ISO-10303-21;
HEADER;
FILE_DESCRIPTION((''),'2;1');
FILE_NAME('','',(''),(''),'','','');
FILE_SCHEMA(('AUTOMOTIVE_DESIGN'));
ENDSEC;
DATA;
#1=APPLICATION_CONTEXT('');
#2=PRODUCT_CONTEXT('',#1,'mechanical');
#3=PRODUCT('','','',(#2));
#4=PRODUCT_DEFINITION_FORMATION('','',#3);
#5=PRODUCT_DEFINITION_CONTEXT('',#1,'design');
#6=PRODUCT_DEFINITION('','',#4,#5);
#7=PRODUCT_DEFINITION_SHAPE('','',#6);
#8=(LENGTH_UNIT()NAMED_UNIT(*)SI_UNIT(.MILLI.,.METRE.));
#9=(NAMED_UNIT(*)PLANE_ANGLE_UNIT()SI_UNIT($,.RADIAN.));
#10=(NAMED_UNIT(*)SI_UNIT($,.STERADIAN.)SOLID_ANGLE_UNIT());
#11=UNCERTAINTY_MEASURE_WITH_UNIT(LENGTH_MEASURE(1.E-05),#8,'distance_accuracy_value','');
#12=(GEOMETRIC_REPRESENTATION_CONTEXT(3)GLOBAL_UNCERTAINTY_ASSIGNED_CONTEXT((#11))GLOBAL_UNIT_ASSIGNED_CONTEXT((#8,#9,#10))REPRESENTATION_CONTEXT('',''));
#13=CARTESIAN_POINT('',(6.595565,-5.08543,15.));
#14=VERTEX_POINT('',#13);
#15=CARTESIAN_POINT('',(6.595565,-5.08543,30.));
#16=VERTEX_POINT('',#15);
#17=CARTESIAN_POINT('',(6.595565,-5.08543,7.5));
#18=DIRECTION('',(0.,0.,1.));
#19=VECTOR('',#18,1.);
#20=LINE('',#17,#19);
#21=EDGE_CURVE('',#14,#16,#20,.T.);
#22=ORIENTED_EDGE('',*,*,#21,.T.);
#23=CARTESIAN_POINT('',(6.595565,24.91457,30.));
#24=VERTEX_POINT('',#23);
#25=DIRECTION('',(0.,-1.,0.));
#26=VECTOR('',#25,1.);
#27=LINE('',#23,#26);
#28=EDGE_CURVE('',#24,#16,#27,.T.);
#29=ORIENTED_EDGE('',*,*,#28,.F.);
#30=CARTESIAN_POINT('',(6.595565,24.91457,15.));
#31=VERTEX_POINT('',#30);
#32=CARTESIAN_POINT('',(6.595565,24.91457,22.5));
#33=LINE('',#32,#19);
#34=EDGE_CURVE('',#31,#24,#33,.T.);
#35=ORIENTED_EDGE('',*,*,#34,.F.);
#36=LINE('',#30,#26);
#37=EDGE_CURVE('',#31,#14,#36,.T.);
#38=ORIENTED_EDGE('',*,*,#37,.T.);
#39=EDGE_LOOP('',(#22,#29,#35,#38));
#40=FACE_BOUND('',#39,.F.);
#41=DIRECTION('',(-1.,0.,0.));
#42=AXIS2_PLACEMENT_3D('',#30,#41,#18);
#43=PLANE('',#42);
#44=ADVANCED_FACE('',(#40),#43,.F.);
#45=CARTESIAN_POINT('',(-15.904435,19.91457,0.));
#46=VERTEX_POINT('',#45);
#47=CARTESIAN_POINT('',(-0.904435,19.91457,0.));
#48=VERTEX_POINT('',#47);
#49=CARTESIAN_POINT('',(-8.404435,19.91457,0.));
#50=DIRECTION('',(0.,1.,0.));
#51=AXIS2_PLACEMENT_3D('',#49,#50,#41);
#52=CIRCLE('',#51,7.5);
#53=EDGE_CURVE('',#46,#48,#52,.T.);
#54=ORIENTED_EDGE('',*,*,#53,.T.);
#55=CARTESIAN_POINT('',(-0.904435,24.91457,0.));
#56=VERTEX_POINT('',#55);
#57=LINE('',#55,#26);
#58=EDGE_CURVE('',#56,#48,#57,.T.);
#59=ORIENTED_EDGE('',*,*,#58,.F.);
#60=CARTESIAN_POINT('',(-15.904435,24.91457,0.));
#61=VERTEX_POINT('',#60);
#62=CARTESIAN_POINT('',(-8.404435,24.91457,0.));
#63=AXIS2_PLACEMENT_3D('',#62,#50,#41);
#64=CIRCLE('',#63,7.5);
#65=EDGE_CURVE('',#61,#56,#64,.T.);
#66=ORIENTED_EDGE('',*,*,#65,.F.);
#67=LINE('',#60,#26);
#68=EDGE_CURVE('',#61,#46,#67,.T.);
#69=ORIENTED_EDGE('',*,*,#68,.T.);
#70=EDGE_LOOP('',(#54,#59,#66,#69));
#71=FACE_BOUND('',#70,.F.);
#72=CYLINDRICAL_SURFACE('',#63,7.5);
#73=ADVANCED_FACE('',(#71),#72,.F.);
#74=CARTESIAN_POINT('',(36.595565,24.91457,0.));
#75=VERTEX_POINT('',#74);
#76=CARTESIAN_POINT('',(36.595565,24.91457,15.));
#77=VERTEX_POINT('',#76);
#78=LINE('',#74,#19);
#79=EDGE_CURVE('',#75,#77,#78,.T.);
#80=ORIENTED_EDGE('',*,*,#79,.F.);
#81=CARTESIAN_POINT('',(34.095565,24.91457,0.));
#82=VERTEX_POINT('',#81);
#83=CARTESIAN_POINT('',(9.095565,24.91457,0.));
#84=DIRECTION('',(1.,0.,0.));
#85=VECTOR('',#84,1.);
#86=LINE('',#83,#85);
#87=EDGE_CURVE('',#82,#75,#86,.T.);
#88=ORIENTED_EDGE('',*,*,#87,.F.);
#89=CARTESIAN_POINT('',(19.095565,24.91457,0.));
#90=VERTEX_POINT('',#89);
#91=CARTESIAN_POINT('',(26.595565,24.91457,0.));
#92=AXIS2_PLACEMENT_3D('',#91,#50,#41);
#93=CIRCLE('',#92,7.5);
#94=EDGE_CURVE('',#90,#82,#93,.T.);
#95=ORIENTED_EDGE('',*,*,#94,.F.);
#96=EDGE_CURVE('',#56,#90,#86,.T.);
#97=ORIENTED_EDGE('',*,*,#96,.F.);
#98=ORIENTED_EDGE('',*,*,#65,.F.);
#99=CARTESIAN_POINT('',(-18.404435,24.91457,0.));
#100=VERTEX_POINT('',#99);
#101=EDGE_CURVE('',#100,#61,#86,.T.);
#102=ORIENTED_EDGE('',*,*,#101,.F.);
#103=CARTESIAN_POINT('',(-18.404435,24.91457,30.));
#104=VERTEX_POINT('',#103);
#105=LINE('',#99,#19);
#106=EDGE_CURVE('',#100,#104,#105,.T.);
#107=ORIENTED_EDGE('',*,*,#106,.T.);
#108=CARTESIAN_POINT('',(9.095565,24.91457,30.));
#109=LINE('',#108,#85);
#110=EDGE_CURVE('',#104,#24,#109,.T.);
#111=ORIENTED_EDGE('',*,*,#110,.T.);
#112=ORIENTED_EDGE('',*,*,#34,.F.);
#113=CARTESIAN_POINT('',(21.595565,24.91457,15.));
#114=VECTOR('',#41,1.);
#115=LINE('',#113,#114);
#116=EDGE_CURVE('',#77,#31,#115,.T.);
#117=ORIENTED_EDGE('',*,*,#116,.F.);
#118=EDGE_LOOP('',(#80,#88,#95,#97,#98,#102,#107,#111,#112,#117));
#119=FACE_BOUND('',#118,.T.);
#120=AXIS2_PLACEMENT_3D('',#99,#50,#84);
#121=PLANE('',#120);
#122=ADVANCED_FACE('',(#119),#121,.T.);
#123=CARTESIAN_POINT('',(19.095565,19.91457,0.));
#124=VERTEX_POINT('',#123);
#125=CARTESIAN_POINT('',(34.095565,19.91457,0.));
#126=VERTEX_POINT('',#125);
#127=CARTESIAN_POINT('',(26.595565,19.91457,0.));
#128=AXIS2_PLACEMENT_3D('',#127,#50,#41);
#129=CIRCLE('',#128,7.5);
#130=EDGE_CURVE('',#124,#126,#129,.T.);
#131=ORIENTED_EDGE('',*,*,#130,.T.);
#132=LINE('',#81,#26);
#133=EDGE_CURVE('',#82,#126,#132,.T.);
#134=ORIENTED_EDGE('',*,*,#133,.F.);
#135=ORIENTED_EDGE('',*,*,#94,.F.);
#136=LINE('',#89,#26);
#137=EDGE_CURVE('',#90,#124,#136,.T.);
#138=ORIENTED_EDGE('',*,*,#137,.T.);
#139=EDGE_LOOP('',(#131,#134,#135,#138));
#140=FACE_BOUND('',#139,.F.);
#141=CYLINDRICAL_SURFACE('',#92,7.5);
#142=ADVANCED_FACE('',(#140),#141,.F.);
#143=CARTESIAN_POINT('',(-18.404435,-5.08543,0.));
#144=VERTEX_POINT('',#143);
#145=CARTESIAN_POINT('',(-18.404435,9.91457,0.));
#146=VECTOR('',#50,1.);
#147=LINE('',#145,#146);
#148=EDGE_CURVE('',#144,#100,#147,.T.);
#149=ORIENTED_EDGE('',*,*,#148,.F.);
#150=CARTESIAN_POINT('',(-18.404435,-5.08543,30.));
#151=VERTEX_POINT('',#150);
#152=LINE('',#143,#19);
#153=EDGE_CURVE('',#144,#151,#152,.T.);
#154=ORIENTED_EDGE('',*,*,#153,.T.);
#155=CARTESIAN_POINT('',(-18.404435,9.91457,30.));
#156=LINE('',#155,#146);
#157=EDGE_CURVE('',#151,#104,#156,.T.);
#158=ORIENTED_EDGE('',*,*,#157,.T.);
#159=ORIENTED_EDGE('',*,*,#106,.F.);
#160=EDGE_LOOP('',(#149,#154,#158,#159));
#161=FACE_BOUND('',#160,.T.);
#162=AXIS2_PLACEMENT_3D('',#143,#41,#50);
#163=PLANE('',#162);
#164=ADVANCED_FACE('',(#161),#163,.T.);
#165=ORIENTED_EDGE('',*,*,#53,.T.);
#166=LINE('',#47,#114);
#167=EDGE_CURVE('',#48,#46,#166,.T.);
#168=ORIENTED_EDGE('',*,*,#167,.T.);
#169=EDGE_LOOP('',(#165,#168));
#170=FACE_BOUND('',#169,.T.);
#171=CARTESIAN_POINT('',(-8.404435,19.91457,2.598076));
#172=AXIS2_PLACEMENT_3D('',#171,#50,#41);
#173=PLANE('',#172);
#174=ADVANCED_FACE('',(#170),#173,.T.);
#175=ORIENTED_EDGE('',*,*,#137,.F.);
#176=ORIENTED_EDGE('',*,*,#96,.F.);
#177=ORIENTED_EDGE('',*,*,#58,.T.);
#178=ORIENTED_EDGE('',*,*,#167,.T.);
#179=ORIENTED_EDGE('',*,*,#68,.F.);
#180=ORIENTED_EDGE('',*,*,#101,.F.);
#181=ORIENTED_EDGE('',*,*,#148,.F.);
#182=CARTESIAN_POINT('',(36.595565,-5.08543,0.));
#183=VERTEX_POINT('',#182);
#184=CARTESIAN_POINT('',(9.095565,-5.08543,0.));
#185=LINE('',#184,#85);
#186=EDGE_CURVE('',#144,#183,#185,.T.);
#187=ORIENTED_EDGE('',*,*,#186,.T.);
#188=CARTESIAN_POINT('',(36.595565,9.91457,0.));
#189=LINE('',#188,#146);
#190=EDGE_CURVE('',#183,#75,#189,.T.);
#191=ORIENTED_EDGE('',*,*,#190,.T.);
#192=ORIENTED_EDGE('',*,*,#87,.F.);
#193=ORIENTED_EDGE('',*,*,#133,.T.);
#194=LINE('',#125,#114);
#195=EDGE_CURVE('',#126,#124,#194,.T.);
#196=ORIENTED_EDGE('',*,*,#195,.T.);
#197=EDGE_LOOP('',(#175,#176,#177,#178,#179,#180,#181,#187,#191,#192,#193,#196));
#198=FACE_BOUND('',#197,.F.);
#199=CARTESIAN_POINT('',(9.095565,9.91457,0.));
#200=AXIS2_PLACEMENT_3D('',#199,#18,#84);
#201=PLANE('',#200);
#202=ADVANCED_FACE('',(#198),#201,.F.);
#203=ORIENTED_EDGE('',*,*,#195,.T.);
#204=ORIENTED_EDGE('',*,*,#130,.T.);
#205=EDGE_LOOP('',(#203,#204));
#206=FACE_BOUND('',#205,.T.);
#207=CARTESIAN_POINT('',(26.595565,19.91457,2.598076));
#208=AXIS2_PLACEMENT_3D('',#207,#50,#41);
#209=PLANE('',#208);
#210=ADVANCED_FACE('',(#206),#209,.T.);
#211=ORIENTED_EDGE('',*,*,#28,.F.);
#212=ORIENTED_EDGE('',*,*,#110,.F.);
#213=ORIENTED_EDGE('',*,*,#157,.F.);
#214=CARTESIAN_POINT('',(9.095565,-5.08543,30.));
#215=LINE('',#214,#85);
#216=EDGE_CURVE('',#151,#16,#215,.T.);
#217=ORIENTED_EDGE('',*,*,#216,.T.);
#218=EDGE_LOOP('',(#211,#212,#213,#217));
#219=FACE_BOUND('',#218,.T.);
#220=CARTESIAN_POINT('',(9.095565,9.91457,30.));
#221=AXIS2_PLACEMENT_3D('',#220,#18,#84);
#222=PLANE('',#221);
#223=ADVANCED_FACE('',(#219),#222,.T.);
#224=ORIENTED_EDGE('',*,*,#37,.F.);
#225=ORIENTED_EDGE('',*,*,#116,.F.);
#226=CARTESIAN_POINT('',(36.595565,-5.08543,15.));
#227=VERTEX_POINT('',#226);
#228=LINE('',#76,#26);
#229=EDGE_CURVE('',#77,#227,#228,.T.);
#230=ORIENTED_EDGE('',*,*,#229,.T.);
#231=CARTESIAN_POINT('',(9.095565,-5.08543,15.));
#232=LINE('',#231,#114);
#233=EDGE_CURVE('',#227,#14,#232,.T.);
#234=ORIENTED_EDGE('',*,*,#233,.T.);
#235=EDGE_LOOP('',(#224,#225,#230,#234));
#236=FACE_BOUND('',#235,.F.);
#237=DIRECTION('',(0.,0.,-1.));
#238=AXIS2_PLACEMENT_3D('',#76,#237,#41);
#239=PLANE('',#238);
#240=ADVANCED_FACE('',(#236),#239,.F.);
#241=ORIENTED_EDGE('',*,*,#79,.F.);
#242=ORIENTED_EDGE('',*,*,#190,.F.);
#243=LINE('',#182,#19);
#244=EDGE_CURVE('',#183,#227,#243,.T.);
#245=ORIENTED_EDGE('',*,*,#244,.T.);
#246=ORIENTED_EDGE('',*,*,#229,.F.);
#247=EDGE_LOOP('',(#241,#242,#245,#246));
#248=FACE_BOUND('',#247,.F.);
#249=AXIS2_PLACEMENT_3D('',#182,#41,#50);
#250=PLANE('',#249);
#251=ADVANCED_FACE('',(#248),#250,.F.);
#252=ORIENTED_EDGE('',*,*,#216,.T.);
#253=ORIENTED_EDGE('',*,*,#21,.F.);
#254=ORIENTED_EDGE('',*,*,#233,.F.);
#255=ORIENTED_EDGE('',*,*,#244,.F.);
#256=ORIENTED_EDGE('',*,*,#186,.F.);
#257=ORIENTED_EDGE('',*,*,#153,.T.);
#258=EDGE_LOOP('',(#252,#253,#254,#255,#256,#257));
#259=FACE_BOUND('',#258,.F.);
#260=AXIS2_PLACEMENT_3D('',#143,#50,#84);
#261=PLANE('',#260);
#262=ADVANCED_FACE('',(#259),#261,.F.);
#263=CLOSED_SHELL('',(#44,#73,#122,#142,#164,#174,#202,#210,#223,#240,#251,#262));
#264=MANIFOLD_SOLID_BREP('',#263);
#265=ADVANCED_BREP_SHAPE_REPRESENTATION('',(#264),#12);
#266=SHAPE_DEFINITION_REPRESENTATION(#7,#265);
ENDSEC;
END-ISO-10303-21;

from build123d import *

# Parameters (mm, degrees)
F0_W     = 55
F0_H     = 30
F1_DEPTH = 30
F2_W     = 30
F2_H     = 15
F3_DEPTH = 30.001
F5_DEPTH = 5


with BuildPart() as f1:
    # F0 (on Top) → F1 (new body)
    with BuildSketch(Plane.XY):
        with Locations((9.0955648875, 9.9145695567)):
            Rectangle(F0_W, F0_H)
    extrude(amount=F1_DEPTH)

    # F2 (on face) → F3 (cut, through all)
    with BuildSketch(Plane(origin=(0, 24.9145695567, 0), x_dir=(-1, 0, 0), z_dir=(0, 1, 0))):
        with Locations((-21.5955648875, 22.5)):
            Rectangle(F2_W, F2_H)
    extrude(amount=-F3_DEPTH, mode=Mode.SUBTRACT)

    # F4 (on face) → F5 (cut)
    with BuildSketch(Plane(origin=(0, 24.9145695567, 0), x_dir=(-1, 0, 0), z_dir=(0, 1, 0))):
        with BuildLine():
            Line((-34.0955648875, 0), (-19.0955648875, 0))
            ThreePointArc((-19.0955648875, 0), (-26.5955648875, 7.5), (-34.0955648875, 0))
        make_face()
        with BuildLine():
            ThreePointArc((15.9044351125, 0), (8.4044351125, 7.5), (0.9044351125, 0))
            Line((0.9044351125, 0), (15.9044351125, 0))
        make_face()
    extrude(amount=-F5_DEPTH, mode=Mode.SUBTRACT)


solid = f1.part
